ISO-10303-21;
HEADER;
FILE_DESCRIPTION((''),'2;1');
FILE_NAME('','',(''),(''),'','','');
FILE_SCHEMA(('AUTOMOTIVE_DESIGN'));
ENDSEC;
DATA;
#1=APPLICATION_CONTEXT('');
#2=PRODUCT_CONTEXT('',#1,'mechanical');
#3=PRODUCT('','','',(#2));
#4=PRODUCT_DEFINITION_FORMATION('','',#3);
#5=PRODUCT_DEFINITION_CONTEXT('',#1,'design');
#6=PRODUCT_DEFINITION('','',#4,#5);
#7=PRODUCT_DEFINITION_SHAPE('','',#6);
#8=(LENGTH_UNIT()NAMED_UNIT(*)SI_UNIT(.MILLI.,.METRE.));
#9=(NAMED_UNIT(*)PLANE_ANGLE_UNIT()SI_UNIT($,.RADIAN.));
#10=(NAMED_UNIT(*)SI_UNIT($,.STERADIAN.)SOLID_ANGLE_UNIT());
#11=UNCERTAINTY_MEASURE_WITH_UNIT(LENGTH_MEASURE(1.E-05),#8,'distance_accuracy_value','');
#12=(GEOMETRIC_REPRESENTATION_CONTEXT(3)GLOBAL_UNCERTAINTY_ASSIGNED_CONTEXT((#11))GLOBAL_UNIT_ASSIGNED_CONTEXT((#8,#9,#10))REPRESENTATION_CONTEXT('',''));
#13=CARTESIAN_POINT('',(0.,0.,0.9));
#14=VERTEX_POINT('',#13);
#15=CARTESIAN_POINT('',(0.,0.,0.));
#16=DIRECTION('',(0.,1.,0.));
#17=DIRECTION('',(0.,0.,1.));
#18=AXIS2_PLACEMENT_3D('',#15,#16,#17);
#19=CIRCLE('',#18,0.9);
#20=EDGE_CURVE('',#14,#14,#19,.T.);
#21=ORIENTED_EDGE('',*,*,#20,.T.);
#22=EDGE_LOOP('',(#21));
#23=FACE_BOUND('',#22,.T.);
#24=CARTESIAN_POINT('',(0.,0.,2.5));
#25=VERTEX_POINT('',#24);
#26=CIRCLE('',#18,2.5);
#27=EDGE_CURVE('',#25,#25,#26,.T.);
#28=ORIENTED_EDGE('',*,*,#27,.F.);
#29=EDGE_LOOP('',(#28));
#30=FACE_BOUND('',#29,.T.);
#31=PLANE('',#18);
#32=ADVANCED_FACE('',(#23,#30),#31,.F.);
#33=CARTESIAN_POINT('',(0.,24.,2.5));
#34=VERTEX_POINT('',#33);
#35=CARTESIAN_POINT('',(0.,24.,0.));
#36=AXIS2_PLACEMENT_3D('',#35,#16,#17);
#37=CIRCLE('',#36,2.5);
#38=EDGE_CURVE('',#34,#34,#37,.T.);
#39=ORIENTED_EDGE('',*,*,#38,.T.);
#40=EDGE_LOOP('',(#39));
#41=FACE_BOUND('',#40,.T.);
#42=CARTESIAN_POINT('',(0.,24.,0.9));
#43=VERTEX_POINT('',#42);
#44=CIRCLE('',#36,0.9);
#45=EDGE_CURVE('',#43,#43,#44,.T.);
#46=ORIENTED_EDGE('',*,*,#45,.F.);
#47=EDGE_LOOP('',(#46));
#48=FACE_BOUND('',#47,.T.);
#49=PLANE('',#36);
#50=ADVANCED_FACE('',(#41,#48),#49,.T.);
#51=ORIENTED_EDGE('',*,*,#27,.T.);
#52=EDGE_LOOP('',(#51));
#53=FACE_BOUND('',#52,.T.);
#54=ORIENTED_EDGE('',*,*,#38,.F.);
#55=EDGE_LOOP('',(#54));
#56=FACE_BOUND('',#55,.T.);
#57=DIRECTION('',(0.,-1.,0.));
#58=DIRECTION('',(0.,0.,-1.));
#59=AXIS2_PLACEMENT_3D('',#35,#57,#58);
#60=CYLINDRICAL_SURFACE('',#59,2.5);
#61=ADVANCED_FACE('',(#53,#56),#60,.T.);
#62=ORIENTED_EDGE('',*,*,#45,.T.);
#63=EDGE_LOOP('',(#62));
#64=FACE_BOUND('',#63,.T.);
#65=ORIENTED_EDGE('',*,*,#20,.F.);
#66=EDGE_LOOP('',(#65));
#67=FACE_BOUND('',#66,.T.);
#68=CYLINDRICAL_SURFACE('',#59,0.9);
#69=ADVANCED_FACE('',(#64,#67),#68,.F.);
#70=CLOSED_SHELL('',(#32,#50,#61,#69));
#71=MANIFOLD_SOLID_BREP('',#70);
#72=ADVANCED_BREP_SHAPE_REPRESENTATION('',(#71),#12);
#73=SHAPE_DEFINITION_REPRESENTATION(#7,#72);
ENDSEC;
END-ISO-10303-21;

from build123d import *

# Parameters (mm, degrees)
SKETCH_2_R      = 2.5
SKETCH_2_R_2    = 0.9
EXTRUDE_1_DEPTH = 24


with BuildPart() as part:
    # 草图2 → 凸台-拉伸1 (new body)
    with BuildSketch(Plane(origin=(0, 0, 0), x_dir=(1, 0, 0), z_dir=(0, 1, 0))):
        with Locations(Location((0, 0, 0), (0, 0, 270))):
            Circle(SKETCH_2_R)
        with Locations(Location((0, 0, 0), (0, 0, 270))):
            Circle(SKETCH_2_R_2, mode=Mode.SUBTRACT)
    extrude(amount=EXTRUDE_1_DEPTH)


solid = part.part
